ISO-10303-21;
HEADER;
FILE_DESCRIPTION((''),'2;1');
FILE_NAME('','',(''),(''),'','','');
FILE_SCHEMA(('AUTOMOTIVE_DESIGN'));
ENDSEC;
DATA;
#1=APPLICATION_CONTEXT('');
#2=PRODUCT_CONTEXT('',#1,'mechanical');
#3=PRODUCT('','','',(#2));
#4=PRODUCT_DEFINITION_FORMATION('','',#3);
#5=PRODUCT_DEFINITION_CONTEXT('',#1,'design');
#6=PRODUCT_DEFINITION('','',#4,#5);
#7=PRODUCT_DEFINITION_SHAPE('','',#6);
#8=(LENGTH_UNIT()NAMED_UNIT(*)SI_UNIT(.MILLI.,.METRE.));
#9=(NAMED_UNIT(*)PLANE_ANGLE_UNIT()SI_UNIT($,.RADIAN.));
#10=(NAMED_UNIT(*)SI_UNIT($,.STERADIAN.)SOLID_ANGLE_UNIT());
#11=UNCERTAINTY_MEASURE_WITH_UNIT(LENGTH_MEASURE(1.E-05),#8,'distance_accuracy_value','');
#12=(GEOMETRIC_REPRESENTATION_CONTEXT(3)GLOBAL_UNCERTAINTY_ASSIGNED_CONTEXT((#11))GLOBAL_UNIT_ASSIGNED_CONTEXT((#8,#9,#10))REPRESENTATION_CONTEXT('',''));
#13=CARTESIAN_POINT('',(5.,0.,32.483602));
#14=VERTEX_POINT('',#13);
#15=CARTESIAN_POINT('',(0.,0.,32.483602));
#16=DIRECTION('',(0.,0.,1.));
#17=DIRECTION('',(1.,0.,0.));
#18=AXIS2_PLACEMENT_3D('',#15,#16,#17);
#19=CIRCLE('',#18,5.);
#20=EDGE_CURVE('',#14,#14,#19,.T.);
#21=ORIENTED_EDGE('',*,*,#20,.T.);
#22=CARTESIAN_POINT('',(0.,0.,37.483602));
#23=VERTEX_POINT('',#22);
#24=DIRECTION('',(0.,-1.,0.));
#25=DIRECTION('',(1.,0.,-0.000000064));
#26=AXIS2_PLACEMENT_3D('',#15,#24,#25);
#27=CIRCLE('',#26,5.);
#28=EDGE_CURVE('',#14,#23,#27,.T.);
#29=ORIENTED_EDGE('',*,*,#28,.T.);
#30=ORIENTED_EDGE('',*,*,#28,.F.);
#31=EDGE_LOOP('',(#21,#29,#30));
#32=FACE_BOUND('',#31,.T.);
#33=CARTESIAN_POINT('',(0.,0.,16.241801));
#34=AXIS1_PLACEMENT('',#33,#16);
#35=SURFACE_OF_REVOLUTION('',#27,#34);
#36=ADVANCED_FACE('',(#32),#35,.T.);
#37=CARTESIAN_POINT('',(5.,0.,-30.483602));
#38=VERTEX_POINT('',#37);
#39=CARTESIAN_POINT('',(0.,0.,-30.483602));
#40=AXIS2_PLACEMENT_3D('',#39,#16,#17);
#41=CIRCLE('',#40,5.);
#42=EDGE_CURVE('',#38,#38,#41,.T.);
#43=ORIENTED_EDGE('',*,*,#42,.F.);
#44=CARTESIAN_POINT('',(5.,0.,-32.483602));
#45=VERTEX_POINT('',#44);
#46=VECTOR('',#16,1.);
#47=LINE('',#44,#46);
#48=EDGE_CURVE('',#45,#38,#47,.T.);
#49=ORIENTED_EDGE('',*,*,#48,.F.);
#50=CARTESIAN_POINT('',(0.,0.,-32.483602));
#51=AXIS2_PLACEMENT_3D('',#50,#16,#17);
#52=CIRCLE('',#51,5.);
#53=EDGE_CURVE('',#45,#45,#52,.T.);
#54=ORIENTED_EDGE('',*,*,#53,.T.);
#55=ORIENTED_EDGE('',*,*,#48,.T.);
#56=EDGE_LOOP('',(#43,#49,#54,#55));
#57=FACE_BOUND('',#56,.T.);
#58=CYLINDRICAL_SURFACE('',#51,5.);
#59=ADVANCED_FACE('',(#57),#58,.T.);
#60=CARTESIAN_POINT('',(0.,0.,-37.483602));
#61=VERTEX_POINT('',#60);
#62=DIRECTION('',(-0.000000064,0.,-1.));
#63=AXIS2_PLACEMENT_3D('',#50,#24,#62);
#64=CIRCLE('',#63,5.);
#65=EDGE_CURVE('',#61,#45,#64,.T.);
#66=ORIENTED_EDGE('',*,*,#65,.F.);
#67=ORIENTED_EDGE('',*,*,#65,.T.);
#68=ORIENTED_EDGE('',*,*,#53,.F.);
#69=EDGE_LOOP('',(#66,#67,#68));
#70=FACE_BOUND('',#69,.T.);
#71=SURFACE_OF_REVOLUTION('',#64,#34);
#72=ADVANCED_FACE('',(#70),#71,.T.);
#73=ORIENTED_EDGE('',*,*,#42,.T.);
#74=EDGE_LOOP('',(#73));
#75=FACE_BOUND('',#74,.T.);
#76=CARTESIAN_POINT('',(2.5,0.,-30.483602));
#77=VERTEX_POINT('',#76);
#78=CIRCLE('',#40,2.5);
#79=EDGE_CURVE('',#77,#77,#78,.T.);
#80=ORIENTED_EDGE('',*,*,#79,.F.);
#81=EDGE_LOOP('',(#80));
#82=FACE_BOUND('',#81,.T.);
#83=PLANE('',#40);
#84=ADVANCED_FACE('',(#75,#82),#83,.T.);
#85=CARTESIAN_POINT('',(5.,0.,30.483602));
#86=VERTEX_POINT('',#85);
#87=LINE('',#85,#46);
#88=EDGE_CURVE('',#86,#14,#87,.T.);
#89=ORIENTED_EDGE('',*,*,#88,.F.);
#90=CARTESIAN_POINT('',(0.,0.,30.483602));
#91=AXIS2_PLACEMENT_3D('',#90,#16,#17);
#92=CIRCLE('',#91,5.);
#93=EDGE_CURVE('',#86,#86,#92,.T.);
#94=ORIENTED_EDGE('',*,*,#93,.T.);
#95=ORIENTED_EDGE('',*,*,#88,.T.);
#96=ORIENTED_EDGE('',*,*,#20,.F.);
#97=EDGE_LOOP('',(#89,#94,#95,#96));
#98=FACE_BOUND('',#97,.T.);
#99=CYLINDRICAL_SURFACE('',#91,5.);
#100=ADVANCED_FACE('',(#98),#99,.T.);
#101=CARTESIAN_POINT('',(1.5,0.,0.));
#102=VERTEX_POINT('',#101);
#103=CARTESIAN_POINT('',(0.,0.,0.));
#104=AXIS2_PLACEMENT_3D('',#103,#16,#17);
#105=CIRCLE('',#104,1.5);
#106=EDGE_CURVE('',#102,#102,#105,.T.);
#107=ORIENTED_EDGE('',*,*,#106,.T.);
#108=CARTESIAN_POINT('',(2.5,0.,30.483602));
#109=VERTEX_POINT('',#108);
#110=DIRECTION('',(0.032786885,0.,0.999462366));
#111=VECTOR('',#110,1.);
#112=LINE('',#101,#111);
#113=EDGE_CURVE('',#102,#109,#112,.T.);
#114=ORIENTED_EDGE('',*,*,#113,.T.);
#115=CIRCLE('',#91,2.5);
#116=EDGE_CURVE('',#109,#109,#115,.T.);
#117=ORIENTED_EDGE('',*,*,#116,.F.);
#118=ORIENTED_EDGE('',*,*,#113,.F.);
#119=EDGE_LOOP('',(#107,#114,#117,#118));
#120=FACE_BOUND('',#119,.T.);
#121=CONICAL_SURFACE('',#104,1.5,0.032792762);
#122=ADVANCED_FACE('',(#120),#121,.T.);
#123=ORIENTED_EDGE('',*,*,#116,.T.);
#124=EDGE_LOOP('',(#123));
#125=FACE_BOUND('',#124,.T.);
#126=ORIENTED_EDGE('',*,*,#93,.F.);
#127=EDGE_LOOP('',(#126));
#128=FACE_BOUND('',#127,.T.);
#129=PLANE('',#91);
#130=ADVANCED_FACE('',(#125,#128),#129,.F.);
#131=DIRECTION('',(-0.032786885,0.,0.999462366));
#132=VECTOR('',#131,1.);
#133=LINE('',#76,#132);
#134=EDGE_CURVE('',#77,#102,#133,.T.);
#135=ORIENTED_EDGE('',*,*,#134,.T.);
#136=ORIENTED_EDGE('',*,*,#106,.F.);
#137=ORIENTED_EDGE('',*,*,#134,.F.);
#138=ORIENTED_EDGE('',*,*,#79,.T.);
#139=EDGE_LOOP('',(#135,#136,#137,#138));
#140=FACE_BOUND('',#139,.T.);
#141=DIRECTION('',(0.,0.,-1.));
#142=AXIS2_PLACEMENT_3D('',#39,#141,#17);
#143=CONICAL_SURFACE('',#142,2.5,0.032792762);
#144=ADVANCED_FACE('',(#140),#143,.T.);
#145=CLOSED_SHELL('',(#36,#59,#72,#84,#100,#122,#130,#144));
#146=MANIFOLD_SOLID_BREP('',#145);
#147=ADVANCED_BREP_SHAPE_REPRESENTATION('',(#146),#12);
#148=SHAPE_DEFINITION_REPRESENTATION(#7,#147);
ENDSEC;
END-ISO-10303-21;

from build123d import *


with BuildPart() as f1:
    # F0 (on Front) → F1 (revolve)
    with BuildSketch(Plane.XZ):
        Polygon((0, 32.483602), (0, 0), (0, -32.483602), (5, -32.483602), (5, -30.483602), (2.5, -30.483602), (1.5, 0), (2.5, 30.483602), (5, 30.483602), (5, 32.483602), align=None)
        with BuildLine():
            Line((5, -32.483602), (0, -32.483602))
            Line((0, -32.483602), (0, -37.483602))
            ThreePointArc((0, -37.483602), (3.535534, -36.019136), (5, -32.483602))
        make_face()
        with BuildLine():
            Line((0, 37.483602), (0, 32.483602))
            Line((0, 32.483602), (5, 32.483602))
            ThreePointArc((5, 32.483602), (3.535534, 36.019136), (0, 37.483602))
        make_face()
    revolve(axis=Axis((0, 0, 16.241801), (0, 0, 1)))


solid = f1.part
